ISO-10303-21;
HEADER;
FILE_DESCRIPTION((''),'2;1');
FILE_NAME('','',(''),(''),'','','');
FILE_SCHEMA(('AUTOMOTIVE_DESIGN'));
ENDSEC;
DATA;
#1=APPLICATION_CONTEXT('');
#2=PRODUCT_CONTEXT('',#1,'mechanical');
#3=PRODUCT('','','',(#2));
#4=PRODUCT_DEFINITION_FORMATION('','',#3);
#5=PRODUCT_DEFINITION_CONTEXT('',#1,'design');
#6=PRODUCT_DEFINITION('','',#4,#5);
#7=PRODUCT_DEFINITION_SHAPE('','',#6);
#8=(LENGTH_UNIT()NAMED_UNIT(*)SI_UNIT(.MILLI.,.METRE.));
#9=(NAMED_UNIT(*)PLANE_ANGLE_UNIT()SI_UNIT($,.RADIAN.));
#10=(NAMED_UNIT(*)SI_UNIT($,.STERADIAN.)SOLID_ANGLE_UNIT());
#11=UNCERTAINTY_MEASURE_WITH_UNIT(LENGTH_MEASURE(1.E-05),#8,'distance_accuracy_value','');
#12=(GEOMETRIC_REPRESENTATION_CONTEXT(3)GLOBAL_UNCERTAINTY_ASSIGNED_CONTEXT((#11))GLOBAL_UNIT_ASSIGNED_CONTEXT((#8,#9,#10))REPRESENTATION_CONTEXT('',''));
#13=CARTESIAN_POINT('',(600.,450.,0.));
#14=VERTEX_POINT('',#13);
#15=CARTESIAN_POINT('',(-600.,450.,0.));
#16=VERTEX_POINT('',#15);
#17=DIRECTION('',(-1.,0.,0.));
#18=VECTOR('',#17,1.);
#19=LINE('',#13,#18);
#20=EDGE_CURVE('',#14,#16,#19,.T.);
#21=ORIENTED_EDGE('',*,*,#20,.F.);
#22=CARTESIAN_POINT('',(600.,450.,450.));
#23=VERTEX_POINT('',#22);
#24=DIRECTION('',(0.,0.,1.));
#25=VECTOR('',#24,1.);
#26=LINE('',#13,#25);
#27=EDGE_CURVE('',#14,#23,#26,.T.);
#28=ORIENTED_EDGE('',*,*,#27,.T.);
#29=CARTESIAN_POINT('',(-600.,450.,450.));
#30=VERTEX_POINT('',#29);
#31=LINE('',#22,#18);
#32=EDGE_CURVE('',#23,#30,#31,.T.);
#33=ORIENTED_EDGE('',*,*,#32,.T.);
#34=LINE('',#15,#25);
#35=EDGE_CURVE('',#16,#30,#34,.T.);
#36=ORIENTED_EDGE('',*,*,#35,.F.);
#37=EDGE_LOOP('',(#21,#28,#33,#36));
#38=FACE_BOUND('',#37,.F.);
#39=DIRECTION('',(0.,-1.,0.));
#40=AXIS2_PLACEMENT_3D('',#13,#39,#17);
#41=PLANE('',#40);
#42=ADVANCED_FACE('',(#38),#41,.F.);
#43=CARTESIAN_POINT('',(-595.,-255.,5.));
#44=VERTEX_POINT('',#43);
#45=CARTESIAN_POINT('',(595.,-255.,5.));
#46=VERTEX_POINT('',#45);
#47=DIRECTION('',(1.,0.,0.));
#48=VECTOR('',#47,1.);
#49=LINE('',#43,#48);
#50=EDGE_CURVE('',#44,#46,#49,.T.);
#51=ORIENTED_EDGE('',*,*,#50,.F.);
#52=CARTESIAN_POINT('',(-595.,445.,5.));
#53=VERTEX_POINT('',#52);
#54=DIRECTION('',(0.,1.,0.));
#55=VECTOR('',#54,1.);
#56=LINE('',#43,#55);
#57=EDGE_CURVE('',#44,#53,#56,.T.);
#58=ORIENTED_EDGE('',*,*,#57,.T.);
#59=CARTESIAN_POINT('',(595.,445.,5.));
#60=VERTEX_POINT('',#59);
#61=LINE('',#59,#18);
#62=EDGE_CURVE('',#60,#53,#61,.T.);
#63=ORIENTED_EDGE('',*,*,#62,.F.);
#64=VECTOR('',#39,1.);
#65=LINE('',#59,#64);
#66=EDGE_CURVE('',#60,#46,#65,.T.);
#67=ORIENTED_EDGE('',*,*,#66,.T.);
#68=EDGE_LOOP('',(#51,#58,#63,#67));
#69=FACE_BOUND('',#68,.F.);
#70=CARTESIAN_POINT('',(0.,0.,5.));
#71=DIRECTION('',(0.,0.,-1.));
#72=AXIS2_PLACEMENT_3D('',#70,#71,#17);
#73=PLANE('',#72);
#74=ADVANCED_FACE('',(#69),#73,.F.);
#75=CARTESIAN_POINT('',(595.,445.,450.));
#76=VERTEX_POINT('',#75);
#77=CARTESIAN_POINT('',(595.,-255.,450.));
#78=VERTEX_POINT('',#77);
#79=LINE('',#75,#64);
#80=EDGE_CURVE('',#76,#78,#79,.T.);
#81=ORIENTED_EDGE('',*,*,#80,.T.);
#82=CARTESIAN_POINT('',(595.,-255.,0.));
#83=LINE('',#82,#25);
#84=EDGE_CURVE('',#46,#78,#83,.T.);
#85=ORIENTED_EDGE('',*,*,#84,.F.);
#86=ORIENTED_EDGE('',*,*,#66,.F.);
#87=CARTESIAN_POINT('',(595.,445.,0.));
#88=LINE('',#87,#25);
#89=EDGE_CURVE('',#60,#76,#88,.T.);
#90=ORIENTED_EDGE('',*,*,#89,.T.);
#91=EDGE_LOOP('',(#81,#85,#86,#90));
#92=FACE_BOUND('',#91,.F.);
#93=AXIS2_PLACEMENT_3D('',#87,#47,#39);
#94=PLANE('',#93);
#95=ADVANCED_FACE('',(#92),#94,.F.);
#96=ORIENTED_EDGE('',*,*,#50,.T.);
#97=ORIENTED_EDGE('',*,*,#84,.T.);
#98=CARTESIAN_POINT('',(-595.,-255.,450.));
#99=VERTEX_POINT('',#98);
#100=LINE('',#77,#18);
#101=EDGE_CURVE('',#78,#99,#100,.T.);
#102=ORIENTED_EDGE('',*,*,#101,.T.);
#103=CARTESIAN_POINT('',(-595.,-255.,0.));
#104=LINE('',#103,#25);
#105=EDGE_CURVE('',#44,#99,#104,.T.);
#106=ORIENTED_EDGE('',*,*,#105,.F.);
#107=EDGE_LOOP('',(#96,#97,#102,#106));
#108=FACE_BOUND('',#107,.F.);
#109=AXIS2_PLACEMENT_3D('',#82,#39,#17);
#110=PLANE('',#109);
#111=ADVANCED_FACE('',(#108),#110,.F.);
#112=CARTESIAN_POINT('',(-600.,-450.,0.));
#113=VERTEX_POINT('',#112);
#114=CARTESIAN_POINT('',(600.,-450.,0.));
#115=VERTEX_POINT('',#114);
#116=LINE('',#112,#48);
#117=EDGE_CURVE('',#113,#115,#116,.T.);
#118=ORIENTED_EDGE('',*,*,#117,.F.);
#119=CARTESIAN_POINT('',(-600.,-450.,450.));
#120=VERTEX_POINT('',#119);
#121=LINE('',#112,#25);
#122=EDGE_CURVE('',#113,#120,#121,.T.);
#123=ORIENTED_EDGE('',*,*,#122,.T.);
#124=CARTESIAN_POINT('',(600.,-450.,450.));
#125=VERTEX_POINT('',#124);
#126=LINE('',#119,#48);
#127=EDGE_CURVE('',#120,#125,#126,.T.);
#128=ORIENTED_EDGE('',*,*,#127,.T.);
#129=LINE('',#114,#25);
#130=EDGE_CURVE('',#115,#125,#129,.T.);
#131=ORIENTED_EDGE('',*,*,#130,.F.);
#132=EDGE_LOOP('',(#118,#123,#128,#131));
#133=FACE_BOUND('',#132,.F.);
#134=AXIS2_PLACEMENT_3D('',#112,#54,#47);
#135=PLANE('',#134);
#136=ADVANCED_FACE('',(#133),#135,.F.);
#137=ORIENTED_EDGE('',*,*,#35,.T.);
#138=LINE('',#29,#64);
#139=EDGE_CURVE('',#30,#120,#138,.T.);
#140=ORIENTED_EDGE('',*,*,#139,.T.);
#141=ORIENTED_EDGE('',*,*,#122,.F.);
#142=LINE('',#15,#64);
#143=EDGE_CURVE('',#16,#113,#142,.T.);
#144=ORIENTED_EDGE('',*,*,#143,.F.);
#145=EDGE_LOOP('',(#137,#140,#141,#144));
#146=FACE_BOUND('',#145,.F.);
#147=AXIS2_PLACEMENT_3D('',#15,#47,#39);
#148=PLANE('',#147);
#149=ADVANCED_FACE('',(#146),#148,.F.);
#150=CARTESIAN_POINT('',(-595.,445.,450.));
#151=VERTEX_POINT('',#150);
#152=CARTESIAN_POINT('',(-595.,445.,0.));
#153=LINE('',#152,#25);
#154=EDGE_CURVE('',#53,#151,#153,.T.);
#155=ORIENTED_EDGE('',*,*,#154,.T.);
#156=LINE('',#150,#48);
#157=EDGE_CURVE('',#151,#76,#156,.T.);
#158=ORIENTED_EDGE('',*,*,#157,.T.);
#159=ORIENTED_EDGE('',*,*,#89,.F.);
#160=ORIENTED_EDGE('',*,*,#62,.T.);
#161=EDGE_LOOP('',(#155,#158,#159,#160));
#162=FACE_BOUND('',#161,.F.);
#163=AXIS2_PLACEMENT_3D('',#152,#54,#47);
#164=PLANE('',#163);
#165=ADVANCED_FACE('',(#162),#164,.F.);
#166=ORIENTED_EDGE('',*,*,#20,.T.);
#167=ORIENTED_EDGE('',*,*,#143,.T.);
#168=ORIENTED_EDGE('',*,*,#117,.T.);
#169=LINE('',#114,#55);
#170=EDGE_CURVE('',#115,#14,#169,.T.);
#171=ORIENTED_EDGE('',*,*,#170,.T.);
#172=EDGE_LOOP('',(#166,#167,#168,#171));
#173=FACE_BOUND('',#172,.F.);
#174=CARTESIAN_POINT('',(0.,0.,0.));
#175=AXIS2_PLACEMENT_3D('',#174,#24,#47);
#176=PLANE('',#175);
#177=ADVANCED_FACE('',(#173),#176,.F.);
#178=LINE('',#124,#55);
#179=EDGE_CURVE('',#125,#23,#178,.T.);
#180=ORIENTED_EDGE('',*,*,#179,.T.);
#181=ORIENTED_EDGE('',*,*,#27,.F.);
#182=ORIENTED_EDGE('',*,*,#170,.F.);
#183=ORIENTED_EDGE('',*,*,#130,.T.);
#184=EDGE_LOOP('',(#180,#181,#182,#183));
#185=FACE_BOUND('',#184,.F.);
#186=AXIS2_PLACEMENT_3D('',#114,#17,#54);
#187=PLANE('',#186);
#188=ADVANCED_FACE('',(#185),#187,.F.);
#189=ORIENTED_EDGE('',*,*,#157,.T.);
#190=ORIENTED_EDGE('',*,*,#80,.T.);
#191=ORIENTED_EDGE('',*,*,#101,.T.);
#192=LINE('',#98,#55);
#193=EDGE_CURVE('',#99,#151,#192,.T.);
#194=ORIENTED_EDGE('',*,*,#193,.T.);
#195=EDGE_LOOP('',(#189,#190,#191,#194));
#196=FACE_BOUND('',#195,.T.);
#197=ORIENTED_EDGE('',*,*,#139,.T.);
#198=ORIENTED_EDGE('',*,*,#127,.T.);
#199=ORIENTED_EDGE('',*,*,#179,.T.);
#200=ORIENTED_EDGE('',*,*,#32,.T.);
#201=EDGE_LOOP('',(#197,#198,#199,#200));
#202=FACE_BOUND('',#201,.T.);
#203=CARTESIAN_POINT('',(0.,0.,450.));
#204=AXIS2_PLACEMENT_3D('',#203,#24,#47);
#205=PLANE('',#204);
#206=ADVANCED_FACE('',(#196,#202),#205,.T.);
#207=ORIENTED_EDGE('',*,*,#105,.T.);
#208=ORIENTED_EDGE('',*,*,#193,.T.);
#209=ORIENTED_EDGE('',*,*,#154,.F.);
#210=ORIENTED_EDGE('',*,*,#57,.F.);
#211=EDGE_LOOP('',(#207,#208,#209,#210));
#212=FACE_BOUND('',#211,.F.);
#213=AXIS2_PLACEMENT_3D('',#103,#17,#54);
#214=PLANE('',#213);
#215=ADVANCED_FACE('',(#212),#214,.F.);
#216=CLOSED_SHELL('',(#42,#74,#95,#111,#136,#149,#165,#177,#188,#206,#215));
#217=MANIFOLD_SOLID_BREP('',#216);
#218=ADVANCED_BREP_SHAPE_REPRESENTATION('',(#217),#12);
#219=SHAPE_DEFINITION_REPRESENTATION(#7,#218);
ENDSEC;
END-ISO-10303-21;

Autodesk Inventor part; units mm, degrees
ref_plane "YZ Plane" through (0, 0, 0) normal (1, 0, 0) x (0, 1, 0)
ref_plane "XZ Plane" through (0, 0, 0) normal (0, 1, 0) x (-1, 0, 0)
ref_plane "XY Plane" through (0, 0, 0) normal (0, 0, 1) x (1, 0, 0)
sketch "Sketch1" plane through (0, 0, 0) normal (0, 0, 1) x (1, 0, 0)
  line L0 (-600, -450) -> (600, -450)
  line L1 (600, -450) -> (600, 450)
  line L2 (600, 450) -> (-600, 450)
  line L3 (-600, 450) -> (-600, -450)
  line L4 (-600, -450) -> (600, 450) construction
  line L5 (600, -450) -> (-600, 450) construction
  line L6 (-595, 445) -> (595, 445)
  line L7 (595, 445) -> (595, -255)
  line L8 (595, -255) -> (-595, -255)
  line L9 (-595, -255) -> (-595, 445)
  point P0 (0, 0)
  dimension "d0" = 1200
  dimension "d1" = 900
  dimension "d2" = 1190
  dimension "d3" = 700
  dimension "d4" = 5
  dimension "d5" = 5
extrude "Extrusion1" add sketch "Sketch1" along normal blind 450
sketch "Sketch2" plane through (0, 0, 0) normal (0, 0, -1) x (-1, 0, 0)
  line L0 (-595, 445) -> (-595, -255) projected
  line L1 (595, -255) -> (595, 445) projected
  line L2 (-595, 445) -> (595, 445)
  line L3 (595, 445) -> (595, -255)
  line L4 (595, -255) -> (-595, -255)
  line L5 (-595, -255) -> (-595, 445)
  point P0 (0, 0)
extrude "Extrusion2" add sketch "Sketch2" against normal blind 5
properties part number "Top Bin"
